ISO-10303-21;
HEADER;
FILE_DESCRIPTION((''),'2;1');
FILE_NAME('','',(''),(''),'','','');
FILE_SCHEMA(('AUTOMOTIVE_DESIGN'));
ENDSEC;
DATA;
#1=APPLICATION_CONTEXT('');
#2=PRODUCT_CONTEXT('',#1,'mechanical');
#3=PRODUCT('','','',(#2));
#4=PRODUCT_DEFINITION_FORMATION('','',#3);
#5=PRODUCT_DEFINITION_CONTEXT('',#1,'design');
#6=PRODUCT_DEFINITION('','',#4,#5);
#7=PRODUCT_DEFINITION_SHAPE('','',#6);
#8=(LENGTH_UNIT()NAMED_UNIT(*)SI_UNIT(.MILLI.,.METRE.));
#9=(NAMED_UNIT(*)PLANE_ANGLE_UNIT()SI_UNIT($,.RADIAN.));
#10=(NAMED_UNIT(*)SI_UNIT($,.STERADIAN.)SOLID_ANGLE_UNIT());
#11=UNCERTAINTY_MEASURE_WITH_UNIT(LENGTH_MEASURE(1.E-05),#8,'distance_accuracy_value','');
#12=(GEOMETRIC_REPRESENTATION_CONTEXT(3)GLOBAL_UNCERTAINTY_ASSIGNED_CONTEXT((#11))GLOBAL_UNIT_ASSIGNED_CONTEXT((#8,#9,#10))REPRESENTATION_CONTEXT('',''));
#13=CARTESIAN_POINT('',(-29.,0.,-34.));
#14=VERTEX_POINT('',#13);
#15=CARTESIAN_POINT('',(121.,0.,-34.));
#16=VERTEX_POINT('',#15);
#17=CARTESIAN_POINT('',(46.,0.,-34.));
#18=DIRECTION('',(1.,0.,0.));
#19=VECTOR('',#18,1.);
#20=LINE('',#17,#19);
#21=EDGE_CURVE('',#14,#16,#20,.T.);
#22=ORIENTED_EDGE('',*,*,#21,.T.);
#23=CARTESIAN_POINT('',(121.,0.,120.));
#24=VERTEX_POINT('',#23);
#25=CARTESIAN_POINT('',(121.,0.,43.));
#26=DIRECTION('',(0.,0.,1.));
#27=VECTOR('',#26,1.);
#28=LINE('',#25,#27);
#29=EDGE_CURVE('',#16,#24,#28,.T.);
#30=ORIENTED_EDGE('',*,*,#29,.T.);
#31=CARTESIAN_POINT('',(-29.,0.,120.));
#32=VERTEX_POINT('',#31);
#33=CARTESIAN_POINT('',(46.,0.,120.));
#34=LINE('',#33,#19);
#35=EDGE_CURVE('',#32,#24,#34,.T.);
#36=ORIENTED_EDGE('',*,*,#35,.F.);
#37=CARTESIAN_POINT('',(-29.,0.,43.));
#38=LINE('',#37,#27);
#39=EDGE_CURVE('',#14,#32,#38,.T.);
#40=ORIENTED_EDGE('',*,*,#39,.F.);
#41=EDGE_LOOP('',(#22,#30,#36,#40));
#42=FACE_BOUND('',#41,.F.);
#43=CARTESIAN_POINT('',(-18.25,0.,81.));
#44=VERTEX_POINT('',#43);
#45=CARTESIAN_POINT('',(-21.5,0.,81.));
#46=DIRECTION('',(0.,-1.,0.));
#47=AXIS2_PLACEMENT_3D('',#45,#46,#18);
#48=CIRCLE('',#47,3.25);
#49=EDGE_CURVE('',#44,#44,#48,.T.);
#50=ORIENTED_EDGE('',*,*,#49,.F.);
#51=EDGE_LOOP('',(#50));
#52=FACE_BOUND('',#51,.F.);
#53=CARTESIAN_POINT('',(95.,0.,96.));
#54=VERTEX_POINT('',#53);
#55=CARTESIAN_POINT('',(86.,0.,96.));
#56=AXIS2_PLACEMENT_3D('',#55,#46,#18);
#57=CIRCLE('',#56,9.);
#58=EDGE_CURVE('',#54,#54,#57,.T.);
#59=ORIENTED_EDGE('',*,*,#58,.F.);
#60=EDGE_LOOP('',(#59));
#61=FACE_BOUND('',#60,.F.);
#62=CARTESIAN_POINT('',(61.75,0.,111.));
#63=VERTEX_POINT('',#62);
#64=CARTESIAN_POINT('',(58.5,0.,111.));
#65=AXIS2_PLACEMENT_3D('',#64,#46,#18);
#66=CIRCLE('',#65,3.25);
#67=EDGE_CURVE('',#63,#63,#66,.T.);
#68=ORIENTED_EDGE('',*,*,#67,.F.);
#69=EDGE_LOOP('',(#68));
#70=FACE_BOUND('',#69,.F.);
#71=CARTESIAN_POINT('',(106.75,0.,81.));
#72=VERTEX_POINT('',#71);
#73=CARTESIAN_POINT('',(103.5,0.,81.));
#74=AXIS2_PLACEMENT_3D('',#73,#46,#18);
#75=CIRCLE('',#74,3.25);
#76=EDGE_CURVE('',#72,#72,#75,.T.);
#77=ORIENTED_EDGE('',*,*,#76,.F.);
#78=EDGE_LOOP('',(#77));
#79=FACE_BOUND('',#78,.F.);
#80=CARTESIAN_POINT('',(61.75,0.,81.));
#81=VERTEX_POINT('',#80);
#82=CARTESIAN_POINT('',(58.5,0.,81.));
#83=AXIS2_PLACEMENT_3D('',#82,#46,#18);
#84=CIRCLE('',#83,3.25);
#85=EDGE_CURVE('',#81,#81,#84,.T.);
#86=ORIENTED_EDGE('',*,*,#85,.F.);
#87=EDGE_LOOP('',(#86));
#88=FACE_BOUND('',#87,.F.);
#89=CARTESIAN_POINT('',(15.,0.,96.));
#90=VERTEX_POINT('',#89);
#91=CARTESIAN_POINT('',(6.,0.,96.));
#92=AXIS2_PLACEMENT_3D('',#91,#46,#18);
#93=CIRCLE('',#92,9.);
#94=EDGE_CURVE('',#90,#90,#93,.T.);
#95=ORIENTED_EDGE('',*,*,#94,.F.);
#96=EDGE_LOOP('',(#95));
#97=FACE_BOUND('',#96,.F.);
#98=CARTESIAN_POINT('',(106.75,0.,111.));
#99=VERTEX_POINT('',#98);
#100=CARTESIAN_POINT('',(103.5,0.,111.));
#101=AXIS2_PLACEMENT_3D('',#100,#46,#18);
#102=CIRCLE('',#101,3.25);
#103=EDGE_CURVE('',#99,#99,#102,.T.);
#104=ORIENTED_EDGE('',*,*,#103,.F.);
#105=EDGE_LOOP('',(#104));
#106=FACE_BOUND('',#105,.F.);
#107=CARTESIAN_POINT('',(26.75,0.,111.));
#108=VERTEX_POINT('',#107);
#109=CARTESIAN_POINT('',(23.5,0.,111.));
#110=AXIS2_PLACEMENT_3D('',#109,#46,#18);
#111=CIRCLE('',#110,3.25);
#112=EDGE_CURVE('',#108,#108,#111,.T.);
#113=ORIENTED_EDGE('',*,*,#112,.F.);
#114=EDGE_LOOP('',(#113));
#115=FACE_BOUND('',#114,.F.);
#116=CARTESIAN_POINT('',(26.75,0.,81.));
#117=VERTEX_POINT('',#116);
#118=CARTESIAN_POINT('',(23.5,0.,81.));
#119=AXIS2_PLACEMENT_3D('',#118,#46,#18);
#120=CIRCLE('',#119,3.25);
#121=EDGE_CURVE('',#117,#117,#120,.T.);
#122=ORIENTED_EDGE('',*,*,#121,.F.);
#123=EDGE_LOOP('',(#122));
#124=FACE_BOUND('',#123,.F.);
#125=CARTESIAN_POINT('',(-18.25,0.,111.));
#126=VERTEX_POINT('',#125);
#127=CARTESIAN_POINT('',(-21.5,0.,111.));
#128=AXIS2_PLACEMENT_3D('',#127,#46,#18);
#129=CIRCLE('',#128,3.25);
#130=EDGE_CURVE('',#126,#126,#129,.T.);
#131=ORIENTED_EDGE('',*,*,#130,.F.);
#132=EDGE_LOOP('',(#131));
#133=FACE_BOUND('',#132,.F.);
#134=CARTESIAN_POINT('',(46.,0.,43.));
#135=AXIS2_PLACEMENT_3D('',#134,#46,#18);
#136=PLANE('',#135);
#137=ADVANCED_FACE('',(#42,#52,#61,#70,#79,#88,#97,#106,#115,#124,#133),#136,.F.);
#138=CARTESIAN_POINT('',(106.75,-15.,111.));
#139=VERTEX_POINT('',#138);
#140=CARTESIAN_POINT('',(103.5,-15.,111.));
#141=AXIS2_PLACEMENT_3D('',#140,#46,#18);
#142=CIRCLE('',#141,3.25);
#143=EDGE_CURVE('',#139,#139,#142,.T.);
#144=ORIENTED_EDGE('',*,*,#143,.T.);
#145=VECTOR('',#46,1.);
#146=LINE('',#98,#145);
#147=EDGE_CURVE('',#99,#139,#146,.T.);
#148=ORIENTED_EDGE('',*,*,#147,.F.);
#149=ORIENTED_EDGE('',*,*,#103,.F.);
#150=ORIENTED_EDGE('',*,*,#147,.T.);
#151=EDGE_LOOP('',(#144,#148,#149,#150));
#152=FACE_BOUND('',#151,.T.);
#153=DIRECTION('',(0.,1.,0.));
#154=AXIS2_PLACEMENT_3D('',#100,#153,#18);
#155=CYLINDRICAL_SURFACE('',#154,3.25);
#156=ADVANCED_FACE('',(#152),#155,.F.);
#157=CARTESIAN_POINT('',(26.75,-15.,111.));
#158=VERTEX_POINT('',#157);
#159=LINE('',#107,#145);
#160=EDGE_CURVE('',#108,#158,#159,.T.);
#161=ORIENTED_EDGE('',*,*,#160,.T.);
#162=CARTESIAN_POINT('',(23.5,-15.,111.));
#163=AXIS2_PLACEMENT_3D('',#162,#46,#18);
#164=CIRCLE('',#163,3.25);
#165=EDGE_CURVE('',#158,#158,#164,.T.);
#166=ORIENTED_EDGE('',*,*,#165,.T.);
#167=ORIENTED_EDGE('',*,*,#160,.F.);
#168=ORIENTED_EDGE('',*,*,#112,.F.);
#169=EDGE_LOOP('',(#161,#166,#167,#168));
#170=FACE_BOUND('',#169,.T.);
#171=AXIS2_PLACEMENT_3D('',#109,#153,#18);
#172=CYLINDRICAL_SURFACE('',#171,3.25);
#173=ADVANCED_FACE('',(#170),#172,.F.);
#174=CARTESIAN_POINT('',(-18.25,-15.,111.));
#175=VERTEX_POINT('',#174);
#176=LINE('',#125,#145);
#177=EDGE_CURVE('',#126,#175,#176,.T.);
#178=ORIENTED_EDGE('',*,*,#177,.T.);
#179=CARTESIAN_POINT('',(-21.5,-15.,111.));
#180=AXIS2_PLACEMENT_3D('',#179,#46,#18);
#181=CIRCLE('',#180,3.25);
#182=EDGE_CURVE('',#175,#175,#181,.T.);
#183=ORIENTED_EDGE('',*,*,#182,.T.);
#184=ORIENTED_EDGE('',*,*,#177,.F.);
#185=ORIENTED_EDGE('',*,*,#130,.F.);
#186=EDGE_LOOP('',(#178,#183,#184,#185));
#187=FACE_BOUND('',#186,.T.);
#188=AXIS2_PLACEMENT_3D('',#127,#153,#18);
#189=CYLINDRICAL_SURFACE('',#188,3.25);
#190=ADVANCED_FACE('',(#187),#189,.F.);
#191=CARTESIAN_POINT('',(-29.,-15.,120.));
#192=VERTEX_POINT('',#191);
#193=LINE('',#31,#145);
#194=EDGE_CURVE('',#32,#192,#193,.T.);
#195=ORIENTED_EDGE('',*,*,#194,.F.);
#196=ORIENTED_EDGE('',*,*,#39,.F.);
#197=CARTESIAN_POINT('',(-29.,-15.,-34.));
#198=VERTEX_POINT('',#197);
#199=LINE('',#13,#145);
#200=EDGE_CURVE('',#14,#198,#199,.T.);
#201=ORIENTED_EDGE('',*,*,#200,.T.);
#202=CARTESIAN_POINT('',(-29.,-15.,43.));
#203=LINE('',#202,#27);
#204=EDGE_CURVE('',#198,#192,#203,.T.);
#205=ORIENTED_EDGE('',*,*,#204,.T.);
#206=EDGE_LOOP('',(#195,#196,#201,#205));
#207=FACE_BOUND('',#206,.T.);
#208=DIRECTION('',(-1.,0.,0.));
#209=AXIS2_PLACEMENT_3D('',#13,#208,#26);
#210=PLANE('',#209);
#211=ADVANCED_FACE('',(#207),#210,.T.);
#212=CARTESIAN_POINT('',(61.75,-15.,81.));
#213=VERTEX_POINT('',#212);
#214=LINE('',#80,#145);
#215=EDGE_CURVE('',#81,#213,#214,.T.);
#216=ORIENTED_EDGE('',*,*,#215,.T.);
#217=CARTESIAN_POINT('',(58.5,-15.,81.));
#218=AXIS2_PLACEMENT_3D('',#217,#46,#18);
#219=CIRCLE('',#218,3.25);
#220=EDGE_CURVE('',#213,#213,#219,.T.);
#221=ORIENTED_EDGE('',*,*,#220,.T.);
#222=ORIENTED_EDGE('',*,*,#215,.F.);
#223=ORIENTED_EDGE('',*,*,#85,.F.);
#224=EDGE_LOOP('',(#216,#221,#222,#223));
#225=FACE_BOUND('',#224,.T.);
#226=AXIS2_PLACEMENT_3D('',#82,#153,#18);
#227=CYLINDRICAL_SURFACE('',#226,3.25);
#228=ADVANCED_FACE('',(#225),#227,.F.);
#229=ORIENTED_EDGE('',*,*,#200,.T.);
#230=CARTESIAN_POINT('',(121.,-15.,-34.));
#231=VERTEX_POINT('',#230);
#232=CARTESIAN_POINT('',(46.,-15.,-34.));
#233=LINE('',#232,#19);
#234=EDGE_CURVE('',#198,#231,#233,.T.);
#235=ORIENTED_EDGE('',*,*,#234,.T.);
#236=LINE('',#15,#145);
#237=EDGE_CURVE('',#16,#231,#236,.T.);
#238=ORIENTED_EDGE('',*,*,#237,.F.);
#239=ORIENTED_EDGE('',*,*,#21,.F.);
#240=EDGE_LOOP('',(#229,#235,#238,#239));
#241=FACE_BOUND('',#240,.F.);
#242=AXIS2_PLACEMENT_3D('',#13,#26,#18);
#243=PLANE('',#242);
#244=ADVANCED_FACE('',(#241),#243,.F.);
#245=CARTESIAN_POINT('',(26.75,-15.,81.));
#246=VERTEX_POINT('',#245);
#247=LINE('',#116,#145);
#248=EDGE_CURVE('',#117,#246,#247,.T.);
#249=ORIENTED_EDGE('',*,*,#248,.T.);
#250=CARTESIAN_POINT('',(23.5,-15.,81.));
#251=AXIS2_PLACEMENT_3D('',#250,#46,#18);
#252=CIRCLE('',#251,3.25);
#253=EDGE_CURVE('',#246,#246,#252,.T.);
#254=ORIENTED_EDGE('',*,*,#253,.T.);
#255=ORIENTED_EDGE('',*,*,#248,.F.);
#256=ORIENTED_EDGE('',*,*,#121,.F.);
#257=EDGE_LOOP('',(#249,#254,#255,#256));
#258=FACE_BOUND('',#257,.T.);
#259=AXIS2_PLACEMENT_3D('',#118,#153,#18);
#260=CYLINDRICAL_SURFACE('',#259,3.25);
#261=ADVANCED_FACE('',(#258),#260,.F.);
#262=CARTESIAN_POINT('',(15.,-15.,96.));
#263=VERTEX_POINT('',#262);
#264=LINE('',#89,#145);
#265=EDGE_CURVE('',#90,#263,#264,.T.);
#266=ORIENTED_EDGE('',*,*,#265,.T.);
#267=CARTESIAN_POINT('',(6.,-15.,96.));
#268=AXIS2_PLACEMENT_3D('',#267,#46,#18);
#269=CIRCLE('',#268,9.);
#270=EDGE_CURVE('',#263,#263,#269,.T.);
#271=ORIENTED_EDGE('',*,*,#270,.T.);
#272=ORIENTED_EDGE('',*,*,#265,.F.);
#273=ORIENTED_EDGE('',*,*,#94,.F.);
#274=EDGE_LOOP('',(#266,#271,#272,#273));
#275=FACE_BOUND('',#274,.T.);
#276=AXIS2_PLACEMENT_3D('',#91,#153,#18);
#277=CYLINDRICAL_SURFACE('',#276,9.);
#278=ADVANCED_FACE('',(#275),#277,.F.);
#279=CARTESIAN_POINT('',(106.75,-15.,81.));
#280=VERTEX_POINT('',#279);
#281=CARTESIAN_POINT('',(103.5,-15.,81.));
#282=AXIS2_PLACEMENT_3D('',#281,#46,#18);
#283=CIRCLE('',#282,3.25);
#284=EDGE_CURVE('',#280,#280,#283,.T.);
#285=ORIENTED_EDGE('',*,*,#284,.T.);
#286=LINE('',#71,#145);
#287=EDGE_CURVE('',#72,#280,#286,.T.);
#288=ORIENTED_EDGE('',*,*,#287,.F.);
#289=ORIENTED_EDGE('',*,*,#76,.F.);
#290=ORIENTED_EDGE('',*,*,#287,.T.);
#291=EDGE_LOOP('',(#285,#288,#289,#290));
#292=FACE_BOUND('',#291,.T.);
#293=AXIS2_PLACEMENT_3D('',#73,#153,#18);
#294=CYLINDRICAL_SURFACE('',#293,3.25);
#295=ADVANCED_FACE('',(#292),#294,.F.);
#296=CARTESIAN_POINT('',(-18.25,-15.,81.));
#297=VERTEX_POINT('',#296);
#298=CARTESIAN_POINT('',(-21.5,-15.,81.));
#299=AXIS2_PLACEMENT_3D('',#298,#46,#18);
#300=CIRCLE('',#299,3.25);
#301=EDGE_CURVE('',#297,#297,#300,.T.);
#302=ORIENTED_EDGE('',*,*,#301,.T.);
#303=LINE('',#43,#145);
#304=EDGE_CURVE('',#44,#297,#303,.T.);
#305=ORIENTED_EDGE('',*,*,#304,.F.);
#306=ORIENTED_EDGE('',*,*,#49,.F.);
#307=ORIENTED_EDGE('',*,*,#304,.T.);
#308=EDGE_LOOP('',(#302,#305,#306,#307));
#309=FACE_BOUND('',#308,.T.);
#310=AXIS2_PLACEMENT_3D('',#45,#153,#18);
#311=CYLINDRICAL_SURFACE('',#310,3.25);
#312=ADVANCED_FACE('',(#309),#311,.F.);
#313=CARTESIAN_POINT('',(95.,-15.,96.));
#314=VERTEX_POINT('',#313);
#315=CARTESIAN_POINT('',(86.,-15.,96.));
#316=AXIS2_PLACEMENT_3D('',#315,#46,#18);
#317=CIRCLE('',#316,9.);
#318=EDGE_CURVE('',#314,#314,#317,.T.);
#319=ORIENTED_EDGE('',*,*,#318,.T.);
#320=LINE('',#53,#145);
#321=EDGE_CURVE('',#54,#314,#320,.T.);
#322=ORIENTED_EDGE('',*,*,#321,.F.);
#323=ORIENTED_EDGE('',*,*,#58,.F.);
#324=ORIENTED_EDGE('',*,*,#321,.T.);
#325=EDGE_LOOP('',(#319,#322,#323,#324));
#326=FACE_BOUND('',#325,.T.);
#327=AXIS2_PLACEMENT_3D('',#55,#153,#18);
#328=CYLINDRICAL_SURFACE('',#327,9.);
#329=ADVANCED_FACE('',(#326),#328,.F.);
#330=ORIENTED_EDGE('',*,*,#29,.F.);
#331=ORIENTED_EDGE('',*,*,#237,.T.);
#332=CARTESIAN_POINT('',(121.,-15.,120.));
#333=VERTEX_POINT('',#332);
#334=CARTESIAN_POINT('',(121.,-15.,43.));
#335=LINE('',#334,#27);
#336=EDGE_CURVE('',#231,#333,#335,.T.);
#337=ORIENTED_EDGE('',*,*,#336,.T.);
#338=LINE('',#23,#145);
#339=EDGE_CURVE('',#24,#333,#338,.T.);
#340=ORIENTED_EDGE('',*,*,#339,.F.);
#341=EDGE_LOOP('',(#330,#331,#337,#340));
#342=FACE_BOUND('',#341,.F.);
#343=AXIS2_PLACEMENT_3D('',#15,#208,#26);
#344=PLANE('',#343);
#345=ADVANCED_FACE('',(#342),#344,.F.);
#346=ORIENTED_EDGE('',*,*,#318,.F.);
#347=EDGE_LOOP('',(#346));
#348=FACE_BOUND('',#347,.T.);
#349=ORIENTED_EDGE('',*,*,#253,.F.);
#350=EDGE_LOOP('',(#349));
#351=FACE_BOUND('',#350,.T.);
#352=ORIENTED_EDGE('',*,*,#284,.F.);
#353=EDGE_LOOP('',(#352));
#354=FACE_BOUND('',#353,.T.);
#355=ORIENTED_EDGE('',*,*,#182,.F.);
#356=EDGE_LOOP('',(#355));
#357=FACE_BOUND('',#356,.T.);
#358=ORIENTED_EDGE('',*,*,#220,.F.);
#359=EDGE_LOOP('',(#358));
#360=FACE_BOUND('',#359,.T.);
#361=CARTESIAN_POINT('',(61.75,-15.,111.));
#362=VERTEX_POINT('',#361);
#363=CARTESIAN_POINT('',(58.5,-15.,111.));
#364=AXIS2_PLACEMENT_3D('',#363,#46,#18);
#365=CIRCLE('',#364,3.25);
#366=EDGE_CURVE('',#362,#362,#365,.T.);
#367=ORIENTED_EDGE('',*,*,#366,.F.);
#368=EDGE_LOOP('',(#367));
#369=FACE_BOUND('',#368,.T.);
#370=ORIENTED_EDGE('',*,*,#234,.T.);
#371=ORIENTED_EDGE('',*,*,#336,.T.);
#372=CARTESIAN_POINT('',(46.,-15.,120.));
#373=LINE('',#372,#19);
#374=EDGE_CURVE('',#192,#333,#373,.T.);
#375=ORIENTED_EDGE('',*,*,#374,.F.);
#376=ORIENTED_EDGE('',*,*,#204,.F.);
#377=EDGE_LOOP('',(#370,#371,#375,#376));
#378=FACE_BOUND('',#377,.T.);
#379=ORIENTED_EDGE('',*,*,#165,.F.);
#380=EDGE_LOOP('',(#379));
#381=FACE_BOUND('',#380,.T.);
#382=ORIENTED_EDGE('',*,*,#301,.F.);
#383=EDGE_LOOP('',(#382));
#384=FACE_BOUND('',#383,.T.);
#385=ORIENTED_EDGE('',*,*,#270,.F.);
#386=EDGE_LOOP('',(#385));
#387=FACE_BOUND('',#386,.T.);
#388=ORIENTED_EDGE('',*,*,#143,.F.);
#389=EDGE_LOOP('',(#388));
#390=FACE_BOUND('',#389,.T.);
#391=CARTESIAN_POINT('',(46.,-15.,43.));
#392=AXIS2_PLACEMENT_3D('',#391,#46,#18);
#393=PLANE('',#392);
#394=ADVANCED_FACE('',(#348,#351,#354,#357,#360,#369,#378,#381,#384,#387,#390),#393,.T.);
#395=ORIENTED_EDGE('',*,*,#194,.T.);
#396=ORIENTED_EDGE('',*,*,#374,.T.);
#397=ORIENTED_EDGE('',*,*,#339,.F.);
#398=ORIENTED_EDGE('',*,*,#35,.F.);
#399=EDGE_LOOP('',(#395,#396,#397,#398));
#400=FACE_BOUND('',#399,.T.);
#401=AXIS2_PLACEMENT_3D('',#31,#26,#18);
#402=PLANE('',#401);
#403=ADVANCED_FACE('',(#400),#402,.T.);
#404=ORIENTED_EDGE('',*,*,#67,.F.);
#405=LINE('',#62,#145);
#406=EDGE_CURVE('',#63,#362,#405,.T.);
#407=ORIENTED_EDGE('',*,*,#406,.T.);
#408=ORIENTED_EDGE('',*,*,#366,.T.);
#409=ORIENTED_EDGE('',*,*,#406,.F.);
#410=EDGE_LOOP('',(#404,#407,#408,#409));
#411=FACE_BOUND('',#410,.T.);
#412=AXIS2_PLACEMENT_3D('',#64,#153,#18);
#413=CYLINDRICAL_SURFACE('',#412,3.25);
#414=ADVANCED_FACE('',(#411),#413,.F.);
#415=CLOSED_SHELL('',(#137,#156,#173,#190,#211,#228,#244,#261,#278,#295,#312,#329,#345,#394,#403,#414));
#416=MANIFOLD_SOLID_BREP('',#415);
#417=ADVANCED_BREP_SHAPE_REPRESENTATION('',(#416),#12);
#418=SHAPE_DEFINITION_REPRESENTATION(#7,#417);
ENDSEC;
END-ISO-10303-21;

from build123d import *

# Parameters (mm, degrees)
F0_W     = 150
F0_H     = 154
F0_R     = 3.25
F0_R_2   = 9
F1_DEPTH = 15


with BuildPart() as f1:
    # F0 (on Front) → F1 (new body)
    with BuildSketch(Plane.XZ):
        with Locations((46, 43)):
            Rectangle(F0_W, F0_H)
        with Locations((-21.5, 81)):
            Circle(F0_R, mode=Mode.SUBTRACT)
        with Locations((23.5, 81)):
            Circle(F0_R, mode=Mode.SUBTRACT)
        with Locations((6, 96)):
            Circle(F0_R_2, mode=Mode.SUBTRACT)
        with Locations((-21.5, 111)):
            Circle(F0_R, mode=Mode.SUBTRACT)
        with Locations((23.5, 111)):
            Circle(F0_R, mode=Mode.SUBTRACT)
        with Locations((58.5, 81)):
            Circle(F0_R, mode=Mode.SUBTRACT)
        with Locations((103.5, 81)):
            Circle(F0_R, mode=Mode.SUBTRACT)
        with Locations((58.5, 111)):
            Circle(F0_R, mode=Mode.SUBTRACT)
        with Locations((86, 96)):
            Circle(F0_R_2, mode=Mode.SUBTRACT)
        with Locations((103.5, 111)):
            Circle(F0_R, mode=Mode.SUBTRACT)
    extrude(amount=F1_DEPTH)


solid = f1.part
